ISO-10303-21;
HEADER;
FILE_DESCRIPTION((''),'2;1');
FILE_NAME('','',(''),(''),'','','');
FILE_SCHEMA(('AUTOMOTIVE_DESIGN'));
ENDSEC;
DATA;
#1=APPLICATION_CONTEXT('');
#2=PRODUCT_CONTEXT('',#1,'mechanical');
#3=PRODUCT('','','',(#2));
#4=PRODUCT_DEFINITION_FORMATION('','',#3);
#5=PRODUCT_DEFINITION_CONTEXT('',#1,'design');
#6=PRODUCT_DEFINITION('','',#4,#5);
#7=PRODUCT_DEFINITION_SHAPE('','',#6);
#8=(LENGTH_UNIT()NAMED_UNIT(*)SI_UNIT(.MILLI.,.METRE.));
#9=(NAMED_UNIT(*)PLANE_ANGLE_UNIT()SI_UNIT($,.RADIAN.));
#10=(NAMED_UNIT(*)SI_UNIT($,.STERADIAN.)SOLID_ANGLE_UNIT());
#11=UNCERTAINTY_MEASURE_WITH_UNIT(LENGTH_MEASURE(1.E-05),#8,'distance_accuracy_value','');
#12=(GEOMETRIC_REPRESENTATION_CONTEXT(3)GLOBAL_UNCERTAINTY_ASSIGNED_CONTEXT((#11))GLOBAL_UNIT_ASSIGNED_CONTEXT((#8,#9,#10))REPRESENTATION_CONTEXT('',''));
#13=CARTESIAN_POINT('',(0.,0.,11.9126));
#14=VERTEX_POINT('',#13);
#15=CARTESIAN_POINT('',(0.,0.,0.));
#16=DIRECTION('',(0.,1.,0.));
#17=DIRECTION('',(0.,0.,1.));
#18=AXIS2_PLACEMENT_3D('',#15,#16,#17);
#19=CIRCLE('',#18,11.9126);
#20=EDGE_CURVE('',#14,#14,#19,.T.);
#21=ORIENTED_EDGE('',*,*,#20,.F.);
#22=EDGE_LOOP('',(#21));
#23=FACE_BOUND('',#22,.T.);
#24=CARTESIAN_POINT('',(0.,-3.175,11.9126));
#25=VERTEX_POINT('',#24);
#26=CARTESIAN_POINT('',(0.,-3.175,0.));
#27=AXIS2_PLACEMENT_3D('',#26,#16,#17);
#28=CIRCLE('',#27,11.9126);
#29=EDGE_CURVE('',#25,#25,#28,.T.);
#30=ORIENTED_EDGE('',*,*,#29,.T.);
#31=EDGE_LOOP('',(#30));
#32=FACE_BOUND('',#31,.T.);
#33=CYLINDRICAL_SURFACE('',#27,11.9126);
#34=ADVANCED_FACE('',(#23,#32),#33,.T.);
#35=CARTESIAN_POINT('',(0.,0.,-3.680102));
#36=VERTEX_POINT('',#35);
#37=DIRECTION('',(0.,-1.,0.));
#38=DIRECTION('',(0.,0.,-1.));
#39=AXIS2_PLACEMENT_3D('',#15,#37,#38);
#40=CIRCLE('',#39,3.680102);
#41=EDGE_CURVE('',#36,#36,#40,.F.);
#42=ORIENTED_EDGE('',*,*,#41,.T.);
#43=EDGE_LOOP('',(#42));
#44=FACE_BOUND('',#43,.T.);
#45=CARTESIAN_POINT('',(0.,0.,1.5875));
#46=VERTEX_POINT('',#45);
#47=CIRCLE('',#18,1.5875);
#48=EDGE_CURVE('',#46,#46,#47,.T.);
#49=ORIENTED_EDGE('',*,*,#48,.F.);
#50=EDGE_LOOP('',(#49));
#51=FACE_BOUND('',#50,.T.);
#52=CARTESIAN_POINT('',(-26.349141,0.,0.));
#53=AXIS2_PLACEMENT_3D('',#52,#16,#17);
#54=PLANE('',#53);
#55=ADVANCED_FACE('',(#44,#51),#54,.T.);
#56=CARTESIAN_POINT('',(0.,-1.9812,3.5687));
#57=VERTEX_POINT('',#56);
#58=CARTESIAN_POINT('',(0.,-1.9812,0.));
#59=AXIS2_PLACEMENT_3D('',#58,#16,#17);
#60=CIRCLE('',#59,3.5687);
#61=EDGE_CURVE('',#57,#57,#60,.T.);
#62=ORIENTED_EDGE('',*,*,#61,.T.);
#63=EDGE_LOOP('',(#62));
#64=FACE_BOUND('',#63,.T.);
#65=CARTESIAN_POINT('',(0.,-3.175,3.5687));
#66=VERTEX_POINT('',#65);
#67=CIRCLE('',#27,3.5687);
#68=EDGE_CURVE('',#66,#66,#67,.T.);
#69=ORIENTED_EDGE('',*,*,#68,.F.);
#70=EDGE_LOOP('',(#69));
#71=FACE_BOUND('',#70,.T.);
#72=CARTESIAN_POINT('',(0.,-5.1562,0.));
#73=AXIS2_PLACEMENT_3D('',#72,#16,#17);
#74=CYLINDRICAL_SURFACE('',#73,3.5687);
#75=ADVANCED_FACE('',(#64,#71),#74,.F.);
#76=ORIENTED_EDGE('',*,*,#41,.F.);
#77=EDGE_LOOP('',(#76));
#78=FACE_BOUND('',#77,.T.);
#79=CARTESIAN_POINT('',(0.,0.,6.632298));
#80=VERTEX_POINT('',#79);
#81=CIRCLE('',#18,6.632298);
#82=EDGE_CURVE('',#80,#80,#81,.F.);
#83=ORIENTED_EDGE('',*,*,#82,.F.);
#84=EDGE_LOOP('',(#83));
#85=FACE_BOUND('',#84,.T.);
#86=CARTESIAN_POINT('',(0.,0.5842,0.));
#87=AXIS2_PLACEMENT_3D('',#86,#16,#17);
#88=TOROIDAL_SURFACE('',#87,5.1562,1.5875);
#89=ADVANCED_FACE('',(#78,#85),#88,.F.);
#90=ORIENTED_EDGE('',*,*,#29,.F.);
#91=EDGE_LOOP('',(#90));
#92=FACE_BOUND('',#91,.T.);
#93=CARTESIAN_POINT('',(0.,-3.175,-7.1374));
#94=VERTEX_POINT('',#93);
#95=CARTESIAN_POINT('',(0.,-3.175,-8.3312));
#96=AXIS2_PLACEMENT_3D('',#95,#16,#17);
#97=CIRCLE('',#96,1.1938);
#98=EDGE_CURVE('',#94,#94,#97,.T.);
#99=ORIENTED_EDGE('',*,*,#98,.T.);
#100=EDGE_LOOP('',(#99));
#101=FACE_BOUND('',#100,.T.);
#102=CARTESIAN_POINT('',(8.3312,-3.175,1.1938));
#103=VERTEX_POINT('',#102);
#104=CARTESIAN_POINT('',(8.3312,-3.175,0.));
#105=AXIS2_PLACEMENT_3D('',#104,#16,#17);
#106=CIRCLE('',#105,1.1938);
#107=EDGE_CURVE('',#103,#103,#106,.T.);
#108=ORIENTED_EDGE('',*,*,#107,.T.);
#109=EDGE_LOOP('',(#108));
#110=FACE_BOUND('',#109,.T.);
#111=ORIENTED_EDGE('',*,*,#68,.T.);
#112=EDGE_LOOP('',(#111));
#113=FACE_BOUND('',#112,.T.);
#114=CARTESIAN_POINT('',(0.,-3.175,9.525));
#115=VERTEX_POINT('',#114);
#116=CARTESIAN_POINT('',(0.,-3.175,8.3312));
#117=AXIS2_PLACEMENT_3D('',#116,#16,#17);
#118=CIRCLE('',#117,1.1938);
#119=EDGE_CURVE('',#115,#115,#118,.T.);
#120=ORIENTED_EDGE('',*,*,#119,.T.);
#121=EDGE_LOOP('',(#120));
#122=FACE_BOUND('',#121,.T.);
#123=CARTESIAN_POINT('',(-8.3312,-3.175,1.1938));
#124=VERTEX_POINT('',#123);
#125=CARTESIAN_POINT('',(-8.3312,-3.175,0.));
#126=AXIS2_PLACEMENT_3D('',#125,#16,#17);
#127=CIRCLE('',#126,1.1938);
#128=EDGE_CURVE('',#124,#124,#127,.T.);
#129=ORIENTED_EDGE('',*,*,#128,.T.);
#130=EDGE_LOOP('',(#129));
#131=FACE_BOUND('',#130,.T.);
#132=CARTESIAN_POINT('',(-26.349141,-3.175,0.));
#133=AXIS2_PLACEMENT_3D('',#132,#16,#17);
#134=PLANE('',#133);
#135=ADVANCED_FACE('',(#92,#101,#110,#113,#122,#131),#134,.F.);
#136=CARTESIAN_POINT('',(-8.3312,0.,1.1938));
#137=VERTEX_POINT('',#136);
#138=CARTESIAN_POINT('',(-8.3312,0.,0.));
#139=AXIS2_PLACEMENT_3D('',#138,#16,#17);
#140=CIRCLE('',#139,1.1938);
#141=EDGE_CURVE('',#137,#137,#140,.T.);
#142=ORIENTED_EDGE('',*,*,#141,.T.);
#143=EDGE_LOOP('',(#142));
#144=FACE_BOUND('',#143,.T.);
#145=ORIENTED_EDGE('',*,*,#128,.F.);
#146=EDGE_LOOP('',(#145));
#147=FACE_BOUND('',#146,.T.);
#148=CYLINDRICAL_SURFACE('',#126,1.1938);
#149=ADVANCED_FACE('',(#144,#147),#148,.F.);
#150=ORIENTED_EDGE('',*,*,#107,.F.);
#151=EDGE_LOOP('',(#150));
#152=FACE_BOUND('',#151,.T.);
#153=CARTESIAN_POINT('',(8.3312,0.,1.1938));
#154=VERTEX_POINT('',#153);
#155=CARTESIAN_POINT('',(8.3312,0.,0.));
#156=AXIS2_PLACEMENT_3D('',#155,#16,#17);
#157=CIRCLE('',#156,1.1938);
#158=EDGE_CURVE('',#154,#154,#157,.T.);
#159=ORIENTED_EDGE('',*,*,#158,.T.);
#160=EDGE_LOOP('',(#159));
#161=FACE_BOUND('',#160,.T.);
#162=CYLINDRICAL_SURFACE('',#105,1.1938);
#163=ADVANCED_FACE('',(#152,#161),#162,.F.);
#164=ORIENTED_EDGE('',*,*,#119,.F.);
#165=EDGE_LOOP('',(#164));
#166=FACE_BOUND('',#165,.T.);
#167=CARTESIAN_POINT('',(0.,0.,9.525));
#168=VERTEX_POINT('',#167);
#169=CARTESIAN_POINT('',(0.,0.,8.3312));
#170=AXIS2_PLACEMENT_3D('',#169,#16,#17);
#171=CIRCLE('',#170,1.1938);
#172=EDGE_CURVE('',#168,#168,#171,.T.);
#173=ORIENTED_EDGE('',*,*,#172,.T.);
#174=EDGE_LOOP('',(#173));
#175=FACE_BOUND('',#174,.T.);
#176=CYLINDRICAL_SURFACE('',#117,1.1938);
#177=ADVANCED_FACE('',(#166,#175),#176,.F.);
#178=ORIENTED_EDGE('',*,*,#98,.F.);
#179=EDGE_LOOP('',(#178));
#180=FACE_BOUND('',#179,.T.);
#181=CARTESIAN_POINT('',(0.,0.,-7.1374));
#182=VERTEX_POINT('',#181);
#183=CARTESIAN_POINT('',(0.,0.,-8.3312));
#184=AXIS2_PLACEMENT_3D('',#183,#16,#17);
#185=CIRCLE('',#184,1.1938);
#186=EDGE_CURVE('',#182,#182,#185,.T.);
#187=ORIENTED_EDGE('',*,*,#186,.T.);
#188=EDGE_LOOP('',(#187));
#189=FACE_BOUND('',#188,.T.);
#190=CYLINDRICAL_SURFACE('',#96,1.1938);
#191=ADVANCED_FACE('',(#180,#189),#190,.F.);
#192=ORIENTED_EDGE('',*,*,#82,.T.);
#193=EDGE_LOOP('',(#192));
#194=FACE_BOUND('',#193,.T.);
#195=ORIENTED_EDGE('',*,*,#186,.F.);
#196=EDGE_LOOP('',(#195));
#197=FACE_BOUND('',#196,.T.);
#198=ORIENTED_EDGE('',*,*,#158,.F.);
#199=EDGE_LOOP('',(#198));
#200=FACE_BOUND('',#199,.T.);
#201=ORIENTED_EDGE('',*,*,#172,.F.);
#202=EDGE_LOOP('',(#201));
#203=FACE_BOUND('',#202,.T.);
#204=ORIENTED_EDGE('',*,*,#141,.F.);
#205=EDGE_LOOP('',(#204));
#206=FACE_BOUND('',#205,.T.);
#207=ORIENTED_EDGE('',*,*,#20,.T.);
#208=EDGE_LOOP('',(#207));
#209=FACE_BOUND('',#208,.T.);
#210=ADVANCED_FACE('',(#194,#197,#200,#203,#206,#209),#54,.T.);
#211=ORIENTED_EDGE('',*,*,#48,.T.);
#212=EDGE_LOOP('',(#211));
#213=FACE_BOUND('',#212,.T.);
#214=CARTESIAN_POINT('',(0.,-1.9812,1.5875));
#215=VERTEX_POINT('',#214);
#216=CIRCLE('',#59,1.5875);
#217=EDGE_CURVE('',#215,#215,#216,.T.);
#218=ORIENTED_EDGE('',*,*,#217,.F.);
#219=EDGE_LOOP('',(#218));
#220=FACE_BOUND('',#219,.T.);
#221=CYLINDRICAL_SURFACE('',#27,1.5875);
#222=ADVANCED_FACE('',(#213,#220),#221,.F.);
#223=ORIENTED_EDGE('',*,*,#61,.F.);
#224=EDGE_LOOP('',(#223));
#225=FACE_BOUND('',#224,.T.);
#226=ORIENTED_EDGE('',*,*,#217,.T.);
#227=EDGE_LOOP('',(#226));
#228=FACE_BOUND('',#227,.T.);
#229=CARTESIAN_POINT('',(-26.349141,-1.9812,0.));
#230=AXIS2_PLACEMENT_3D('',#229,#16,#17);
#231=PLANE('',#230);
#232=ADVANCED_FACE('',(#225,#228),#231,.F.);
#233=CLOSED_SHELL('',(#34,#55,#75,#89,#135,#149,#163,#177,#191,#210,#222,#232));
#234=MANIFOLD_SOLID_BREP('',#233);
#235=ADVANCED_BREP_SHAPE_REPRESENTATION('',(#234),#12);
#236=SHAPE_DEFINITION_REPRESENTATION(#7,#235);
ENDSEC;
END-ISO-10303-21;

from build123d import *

# Parameters (mm, degrees)
SKETCH1_R          = 11.9126
SKETCH1_R_2        = 1.1938
SKETCH1_R_3        = 6.7437
SKETCH1_R_4        = 5.1562
SKETCH1_R_5        = 3.5687
SKETCH1_R_6        = 1.5875
EXTRUDE1_DEPTH     = 3.175
SKETCH3_R          = 1.5875
CUT_EXTRUDE1_START = -1.9812
SKETCH1_3_R        = 3.5687
SKETCH1_3_R_2      = 1.5875
CUT_EXTRUDE1_DEPTH = 3.175
SKETCH1_4_R        = 1.5875
CUT_EXTRUDE2_DEPTH = 3.175


with BuildPart() as part:
    # Sketch1 → Extrude1 (new body)
    with BuildSketch(Plane(origin=(0, 0, 0), x_dir=(1, 0, 0), z_dir=(0, 1, 0))):
        with Locations(Location((0, 0, 0), (0, 0, 270))):  # turned: the seam where the file's is
            Circle(SKETCH1_R)
        with Locations(Location((-8.3312, 0, 0), (0, 0, 270))):  # turned: the seam where the file's is
            Circle(SKETCH1_R_2, mode=Mode.SUBTRACT)
        with Locations(Location((0, -8.3312, 0), (0, 0, 270))):  # turned: the seam where the file's is
            Circle(SKETCH1_R_2, mode=Mode.SUBTRACT)
        with Locations(Location((8.3312, 0, 0), (0, 0, 270))):  # turned: the seam where the file's is
            Circle(SKETCH1_R_2, mode=Mode.SUBTRACT)
        with Locations(Location((0, 8.3312, 0), (0, 0, 270))):  # turned: the seam where the file's is
            Circle(SKETCH1_R_2, mode=Mode.SUBTRACT)
        Circle(SKETCH1_R_3, mode=Mode.SUBTRACT)
        Circle(SKETCH1_R_3)
        Circle(SKETCH1_R_4, mode=Mode.SUBTRACT)
        Circle(SKETCH1_R_4)
        Circle(SKETCH1_R_5, mode=Mode.SUBTRACT)
        Circle(SKETCH1_R_5)
        Circle(SKETCH1_R_6, mode=Mode.SUBTRACT)
        Circle(SKETCH1_R_6)
    extrude(amount=-EXTRUDE1_DEPTH)

    # Sketch3 → Cut-Revolve1 (revolve, cut)
    with BuildSketch(Plane.XY, mode=Mode.PRIVATE) as cut_revolve1_sk:
        with Locations((5.1562, 0.5842)):
            Circle(SKETCH3_R)
    revolve(cut_revolve1_sk.sketch.rotate(Axis((0, 5.548517396, 0), (0, -1, 0)), 90), axis=Axis((0, 5.548517396, 0), (0, -1, 0)), mode=Mode.SUBTRACT)  # turned: the seam where the file's is

    # Sketch1_3 → Cut-Extrude1 (cut)
    with BuildSketch(Plane(origin=(0, 0, 0), x_dir=(1, 0, 0), z_dir=(0, 1, 0)).offset(CUT_EXTRUDE1_START)):
        with Locations(Location((0, 0, 0), (0, 0, 270))):  # turned: the seam where the file's is
            Circle(SKETCH1_3_R)
        Circle(SKETCH1_3_R_2, mode=Mode.SUBTRACT)
        Circle(SKETCH1_3_R_2)
    extrude(amount=-CUT_EXTRUDE1_DEPTH, mode=Mode.SUBTRACT)

    # Sketch1_4 → Cut-Extrude2 (cut)
    with BuildSketch(Plane(origin=(0, 0, 0), x_dir=(1, 0, 0), z_dir=(0, 1, 0))):
        with Locations(Location((0, 0, 0), (0, 0, 270))):  # turned: the seam where the file's is
            Circle(SKETCH1_4_R)
    extrude(amount=-CUT_EXTRUDE2_DEPTH, mode=Mode.SUBTRACT)


solid = part.part
